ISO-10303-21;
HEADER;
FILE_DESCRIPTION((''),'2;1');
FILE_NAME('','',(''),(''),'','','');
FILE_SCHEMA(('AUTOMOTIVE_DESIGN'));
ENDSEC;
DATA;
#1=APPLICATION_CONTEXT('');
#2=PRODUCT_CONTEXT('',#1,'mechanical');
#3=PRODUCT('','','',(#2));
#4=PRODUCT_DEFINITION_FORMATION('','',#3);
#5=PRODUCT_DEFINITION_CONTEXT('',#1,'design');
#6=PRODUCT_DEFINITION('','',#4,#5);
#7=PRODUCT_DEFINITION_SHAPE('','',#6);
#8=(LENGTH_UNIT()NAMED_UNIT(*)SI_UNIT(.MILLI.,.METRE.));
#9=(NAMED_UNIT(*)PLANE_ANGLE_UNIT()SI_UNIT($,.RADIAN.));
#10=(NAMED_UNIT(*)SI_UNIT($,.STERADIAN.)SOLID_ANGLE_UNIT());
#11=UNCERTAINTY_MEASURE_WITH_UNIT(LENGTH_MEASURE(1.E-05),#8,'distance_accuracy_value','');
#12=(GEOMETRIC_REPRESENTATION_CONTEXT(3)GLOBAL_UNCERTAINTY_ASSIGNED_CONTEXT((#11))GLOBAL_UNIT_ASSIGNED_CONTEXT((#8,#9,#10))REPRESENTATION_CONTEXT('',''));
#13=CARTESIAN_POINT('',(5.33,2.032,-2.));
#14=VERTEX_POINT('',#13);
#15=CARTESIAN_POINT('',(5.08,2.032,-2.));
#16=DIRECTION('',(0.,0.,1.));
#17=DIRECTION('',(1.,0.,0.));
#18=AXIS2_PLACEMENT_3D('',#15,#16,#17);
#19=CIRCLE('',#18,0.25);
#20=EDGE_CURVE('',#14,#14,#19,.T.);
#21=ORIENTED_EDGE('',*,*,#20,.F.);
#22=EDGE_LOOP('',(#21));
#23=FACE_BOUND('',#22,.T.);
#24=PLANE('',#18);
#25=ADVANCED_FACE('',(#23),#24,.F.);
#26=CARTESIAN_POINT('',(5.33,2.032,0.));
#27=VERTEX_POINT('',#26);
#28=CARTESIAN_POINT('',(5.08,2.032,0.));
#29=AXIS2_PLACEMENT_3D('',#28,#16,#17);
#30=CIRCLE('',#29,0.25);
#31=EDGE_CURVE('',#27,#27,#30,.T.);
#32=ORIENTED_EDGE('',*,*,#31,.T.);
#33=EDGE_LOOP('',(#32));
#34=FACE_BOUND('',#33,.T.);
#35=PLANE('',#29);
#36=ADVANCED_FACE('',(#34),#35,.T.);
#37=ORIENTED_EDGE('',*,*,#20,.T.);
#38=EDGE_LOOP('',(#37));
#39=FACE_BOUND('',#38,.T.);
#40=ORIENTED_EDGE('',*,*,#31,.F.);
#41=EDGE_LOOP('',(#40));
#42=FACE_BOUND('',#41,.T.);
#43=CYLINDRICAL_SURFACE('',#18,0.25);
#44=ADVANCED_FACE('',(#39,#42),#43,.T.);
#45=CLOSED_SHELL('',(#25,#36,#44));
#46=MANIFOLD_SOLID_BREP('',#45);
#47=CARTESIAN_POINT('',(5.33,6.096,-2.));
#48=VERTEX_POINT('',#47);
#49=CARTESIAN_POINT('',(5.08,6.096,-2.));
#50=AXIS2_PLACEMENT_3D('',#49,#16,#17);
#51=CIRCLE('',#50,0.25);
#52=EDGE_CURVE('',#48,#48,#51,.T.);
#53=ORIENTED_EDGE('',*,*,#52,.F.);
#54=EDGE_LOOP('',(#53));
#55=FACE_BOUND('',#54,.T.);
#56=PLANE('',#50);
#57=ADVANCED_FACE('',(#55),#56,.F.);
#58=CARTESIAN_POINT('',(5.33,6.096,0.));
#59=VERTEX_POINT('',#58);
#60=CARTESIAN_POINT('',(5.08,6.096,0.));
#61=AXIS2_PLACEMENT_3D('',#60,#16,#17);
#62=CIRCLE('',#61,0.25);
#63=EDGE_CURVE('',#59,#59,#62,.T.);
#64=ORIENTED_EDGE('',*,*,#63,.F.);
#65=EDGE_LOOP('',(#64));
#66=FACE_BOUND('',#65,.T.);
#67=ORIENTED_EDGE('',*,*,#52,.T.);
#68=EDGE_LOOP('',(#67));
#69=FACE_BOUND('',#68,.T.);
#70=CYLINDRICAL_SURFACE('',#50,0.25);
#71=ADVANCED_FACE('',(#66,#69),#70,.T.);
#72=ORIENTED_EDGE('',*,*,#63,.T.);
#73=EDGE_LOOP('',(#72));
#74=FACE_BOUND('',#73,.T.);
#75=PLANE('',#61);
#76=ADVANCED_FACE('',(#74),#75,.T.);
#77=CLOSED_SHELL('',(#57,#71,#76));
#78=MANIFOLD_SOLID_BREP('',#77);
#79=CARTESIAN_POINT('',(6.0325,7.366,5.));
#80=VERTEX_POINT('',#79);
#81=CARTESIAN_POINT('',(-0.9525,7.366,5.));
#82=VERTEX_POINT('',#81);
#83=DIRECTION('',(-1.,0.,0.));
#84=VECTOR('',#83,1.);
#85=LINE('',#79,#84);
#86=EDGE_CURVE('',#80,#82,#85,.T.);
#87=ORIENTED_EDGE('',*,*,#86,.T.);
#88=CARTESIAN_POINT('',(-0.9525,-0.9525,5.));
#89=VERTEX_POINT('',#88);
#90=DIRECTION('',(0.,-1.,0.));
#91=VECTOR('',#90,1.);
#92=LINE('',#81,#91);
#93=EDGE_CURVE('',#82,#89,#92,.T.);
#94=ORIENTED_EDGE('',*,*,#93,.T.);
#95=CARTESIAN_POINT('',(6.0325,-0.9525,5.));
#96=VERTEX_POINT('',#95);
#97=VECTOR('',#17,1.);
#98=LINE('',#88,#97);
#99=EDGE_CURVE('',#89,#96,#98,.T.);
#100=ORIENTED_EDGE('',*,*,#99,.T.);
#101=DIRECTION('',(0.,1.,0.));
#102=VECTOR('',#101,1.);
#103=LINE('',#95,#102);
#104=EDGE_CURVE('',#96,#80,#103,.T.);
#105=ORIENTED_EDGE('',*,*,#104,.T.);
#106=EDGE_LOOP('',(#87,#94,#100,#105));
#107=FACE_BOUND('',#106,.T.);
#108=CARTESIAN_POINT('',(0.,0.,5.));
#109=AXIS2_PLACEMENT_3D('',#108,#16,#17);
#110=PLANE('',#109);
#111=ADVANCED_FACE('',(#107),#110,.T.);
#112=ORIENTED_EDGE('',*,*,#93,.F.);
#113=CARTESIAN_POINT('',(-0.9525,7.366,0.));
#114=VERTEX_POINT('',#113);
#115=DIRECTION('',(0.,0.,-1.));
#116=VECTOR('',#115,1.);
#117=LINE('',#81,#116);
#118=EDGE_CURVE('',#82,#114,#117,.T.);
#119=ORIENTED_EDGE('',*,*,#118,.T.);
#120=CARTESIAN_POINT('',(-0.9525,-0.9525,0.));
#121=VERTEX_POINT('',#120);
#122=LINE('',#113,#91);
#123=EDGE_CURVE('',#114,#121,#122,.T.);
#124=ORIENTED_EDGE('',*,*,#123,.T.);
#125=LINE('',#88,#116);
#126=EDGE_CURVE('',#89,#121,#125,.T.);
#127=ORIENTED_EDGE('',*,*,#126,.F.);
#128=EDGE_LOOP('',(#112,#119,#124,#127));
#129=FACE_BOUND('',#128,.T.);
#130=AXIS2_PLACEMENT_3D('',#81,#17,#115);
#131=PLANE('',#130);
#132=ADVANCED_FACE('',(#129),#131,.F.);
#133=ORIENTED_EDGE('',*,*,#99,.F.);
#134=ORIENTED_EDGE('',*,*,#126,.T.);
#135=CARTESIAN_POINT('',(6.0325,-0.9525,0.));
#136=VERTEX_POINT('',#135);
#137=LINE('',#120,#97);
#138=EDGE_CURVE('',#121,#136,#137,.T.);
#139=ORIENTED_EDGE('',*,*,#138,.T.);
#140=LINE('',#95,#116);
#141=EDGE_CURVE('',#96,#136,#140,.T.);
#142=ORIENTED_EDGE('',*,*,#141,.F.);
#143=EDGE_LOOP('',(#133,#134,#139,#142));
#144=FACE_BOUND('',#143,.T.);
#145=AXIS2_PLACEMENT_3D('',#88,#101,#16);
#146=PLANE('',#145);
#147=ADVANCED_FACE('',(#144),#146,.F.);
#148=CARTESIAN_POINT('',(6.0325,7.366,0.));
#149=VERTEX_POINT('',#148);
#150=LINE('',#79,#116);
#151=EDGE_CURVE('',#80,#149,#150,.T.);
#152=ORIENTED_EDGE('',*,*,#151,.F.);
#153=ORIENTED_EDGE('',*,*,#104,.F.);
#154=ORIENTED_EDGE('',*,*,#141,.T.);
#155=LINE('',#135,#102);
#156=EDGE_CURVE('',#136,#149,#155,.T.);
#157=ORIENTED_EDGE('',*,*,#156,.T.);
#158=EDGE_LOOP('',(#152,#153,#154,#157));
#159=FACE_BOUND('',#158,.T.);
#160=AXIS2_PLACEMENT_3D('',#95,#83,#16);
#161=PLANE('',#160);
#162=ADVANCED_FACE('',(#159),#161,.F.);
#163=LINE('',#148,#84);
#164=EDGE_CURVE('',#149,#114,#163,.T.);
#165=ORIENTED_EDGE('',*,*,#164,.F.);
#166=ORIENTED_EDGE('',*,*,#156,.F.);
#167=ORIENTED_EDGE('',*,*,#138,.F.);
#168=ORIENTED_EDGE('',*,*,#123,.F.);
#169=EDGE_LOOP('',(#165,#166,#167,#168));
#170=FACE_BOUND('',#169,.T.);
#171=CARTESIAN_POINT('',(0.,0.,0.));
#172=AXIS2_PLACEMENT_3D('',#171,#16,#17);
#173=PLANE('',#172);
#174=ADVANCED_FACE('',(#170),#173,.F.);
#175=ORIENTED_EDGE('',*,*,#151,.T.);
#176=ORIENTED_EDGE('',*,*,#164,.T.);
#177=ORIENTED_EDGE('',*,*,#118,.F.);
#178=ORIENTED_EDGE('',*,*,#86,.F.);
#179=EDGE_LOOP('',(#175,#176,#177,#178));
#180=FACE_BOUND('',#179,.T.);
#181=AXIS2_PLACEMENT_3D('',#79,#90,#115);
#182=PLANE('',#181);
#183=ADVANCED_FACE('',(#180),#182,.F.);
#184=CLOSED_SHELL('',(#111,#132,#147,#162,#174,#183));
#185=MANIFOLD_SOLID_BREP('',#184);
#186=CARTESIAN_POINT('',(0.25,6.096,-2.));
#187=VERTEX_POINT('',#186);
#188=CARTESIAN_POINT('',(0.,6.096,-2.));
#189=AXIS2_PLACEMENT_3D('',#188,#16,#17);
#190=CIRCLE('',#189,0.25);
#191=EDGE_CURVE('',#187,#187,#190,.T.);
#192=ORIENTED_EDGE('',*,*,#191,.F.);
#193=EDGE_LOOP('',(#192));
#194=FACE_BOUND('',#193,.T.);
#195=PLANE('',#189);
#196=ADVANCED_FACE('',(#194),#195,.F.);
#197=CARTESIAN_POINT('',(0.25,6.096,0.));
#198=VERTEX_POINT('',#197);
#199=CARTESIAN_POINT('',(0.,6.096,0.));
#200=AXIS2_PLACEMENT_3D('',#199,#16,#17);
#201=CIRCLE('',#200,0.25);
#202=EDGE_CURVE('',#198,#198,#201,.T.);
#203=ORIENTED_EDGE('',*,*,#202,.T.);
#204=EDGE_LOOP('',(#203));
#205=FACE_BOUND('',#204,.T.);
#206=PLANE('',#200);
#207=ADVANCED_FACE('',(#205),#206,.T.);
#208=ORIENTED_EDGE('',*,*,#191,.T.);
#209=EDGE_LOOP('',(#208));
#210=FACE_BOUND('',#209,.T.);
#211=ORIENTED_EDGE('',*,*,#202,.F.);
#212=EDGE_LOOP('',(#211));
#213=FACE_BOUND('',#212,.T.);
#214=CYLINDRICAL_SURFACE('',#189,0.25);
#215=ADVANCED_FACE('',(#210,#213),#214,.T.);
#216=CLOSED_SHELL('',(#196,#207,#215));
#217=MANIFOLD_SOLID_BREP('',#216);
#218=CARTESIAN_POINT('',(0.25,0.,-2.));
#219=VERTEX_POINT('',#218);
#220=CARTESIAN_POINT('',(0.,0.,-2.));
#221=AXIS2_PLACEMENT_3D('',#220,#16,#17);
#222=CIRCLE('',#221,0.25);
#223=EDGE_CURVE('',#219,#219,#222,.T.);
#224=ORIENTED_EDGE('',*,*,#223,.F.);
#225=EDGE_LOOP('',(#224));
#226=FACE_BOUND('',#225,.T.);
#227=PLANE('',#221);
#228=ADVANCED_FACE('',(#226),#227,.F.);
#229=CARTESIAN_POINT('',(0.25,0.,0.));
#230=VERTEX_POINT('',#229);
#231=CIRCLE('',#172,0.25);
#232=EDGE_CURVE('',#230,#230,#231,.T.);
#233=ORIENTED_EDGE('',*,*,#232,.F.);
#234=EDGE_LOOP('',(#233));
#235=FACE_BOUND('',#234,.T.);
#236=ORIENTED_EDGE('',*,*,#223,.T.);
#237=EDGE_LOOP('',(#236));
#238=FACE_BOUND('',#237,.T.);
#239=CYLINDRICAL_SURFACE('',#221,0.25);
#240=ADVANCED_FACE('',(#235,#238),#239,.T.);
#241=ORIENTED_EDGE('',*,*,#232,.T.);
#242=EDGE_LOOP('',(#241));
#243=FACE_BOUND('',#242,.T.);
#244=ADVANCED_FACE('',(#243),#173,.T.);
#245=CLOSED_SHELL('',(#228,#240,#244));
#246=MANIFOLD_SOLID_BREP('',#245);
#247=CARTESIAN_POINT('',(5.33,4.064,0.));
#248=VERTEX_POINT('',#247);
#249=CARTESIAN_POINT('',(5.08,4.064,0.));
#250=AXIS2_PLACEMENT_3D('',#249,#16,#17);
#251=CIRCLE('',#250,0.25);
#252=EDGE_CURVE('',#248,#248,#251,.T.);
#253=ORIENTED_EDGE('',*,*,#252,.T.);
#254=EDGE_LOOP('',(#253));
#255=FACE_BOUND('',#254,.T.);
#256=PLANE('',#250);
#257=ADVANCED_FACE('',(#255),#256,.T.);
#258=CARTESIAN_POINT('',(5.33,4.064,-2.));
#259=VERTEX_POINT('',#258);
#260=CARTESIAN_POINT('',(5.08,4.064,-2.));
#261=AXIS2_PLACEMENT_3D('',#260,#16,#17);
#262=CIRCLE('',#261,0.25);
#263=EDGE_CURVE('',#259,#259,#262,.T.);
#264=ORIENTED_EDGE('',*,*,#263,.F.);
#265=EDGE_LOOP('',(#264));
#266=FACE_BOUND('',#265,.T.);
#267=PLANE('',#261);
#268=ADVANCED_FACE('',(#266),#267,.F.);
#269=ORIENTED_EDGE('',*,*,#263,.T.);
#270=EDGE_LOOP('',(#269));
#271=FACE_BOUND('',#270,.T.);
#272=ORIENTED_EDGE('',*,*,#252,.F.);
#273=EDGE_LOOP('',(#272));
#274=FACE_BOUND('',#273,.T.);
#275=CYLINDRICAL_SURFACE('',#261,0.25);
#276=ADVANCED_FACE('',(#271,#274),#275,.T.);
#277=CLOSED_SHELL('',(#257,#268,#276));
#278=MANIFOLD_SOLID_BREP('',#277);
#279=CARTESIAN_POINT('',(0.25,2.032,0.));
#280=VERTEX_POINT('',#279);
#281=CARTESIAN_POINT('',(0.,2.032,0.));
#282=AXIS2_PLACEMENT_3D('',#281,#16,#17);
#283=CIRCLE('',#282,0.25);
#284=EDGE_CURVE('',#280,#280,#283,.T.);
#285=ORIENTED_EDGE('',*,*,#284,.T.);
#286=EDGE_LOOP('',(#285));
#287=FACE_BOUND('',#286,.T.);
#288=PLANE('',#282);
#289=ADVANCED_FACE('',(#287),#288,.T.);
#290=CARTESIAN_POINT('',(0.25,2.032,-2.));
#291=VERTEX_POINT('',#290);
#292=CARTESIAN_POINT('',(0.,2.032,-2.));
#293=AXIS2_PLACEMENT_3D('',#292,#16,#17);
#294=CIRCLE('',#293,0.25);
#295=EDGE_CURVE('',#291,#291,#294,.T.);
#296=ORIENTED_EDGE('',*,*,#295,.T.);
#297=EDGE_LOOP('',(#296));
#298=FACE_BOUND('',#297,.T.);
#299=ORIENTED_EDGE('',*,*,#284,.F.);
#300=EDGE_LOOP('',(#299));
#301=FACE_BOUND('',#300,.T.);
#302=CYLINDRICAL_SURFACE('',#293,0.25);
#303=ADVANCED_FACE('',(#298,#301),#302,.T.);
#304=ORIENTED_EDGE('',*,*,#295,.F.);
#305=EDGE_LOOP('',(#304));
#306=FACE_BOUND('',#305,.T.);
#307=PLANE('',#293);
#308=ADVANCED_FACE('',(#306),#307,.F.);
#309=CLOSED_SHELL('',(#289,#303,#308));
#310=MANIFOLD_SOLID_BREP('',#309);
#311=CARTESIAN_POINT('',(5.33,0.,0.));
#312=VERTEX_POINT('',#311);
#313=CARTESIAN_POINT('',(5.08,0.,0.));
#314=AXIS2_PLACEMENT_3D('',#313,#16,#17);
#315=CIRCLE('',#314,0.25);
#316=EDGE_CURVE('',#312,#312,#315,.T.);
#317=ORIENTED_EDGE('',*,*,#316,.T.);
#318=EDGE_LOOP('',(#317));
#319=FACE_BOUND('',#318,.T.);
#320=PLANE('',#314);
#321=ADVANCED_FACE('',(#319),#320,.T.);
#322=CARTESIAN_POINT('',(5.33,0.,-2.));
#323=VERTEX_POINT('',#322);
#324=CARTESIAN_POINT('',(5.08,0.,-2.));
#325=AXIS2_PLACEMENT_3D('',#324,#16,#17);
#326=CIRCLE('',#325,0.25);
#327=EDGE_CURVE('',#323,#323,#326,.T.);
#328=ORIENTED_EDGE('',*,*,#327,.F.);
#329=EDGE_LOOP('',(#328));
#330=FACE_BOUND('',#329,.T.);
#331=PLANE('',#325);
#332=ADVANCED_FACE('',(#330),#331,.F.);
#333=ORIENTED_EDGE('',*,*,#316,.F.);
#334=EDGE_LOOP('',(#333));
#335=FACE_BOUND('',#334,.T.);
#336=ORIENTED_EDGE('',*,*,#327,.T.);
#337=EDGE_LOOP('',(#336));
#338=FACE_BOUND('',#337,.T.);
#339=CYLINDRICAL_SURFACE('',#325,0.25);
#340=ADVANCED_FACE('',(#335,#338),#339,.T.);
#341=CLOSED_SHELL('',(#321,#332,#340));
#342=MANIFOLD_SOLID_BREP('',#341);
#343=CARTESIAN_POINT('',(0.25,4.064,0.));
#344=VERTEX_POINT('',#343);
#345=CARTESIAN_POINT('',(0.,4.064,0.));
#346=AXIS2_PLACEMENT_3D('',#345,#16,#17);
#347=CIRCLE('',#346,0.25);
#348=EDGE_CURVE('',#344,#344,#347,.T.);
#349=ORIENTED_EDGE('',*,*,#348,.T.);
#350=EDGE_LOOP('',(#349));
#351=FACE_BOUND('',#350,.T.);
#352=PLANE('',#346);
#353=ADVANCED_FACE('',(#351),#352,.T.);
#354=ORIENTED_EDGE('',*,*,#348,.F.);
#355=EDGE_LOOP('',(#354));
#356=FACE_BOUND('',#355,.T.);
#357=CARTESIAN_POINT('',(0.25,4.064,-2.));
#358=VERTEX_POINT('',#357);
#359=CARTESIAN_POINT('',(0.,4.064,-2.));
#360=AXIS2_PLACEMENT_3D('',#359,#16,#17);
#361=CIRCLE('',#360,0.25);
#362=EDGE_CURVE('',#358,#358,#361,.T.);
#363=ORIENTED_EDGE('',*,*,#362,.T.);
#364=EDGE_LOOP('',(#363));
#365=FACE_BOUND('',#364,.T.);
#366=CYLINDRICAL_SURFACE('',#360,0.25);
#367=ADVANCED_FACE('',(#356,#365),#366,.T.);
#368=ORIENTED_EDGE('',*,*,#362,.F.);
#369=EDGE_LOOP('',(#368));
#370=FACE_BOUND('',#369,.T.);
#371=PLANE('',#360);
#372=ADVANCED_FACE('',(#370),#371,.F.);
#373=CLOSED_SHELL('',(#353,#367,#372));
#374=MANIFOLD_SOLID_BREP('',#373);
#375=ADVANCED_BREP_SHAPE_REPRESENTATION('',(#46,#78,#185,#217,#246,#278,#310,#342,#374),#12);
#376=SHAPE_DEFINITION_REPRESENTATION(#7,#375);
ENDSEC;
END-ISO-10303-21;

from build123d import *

# Parameters (mm, degrees)
SKETCH1_W               = 6.985
SKETCH1_H               = 8.3185
COMPONENT_OUTLINE_DEPTH = 5
SKETCH2_R               = 0.25
EXTRUDE_1_DEPTH         = 2
SKETCH3_R               = 0.25
BOSS_EXTRUDE3_DEPTH     = 2
SKETCH4_R               = 0.25
BOSS_EXTRUDE4_DEPTH     = 2
SKETCH5_R               = 0.25
BOSS_EXTRUDE5_DEPTH     = 2
SKETCH6_R               = 0.25
EXTRUDE_2_DEPTH         = 2
SKETCH7_R               = 0.25
EXTRUDE_3_DEPTH         = 2
SKETCH8_R               = 0.25
EXTRUDE_4_DEPTH         = 2
SKETCH9_R               = 0.25
EXTRUDE_5_DEPTH         = 2


with BuildPart() as part:
    # Sketch1 → Component_Outline (new body)
    with BuildSketch(Plane.XY):
        with Locations((2.54, 3.20675)):
            Rectangle(SKETCH1_W, SKETCH1_H)
    extrude(amount=COMPONENT_OUTLINE_DEPTH)


with BuildPart() as body_2:
    # Sketch2 → Extrude 1 (new body)
    with BuildSketch(Plane.XY):
        with Locations((5.08, 0)):
            Circle(SKETCH2_R)
    extrude(amount=-EXTRUDE_1_DEPTH)


with BuildPart() as body_3:
    # Sketch3 → Boss-Extrude3 (new body)
    with BuildSketch(Plane.XY):
        with Locations((5.08, 2.032)):
            Circle(SKETCH3_R)
    extrude(amount=-BOSS_EXTRUDE3_DEPTH)


with BuildPart() as body_4:
    # Sketch4 → Boss-Extrude4 (new body)
    with BuildSketch(Plane.XY):
        with Locations((5.08, 4.064)):
            Circle(SKETCH4_R)
    extrude(amount=-BOSS_EXTRUDE4_DEPTH)


with BuildPart() as body_5:
    # Sketch5 → Boss-Extrude5 (new body)
    with BuildSketch(Plane.XY):
        with Locations((5.08, 6.096)):
            Circle(SKETCH5_R)
    extrude(amount=-BOSS_EXTRUDE5_DEPTH)


with BuildPart() as body_6:
    # Sketch6 → Extrude 2 (new body)
    with BuildSketch(Plane.XY):
        Circle(SKETCH6_R)
    extrude(amount=-EXTRUDE_2_DEPTH)


with BuildPart() as body_7:
    # Sketch7 → Extrude 3 (new body)
    with BuildSketch(Plane.XY):
        with Locations((0, 2.032)):
            Circle(SKETCH7_R)
    extrude(amount=-EXTRUDE_3_DEPTH)


with BuildPart() as body_8:
    # Sketch8 → Extrude 4 (new body)
    with BuildSketch(Plane.XY):
        with Locations((0, 4.064)):
            Circle(SKETCH8_R)
    extrude(amount=-EXTRUDE_4_DEPTH)


with BuildPart() as body_9:
    # Sketch9 → Extrude 5 (new body)
    with BuildSketch(Plane.XY):
        with Locations((0, 6.096)):
            Circle(SKETCH9_R)
    extrude(amount=-EXTRUDE_5_DEPTH)


solid = Compound([part.part, body_2.part, body_3.part, body_4.part, body_5.part, body_6.part, body_7.part, body_8.part, body_9.part])
